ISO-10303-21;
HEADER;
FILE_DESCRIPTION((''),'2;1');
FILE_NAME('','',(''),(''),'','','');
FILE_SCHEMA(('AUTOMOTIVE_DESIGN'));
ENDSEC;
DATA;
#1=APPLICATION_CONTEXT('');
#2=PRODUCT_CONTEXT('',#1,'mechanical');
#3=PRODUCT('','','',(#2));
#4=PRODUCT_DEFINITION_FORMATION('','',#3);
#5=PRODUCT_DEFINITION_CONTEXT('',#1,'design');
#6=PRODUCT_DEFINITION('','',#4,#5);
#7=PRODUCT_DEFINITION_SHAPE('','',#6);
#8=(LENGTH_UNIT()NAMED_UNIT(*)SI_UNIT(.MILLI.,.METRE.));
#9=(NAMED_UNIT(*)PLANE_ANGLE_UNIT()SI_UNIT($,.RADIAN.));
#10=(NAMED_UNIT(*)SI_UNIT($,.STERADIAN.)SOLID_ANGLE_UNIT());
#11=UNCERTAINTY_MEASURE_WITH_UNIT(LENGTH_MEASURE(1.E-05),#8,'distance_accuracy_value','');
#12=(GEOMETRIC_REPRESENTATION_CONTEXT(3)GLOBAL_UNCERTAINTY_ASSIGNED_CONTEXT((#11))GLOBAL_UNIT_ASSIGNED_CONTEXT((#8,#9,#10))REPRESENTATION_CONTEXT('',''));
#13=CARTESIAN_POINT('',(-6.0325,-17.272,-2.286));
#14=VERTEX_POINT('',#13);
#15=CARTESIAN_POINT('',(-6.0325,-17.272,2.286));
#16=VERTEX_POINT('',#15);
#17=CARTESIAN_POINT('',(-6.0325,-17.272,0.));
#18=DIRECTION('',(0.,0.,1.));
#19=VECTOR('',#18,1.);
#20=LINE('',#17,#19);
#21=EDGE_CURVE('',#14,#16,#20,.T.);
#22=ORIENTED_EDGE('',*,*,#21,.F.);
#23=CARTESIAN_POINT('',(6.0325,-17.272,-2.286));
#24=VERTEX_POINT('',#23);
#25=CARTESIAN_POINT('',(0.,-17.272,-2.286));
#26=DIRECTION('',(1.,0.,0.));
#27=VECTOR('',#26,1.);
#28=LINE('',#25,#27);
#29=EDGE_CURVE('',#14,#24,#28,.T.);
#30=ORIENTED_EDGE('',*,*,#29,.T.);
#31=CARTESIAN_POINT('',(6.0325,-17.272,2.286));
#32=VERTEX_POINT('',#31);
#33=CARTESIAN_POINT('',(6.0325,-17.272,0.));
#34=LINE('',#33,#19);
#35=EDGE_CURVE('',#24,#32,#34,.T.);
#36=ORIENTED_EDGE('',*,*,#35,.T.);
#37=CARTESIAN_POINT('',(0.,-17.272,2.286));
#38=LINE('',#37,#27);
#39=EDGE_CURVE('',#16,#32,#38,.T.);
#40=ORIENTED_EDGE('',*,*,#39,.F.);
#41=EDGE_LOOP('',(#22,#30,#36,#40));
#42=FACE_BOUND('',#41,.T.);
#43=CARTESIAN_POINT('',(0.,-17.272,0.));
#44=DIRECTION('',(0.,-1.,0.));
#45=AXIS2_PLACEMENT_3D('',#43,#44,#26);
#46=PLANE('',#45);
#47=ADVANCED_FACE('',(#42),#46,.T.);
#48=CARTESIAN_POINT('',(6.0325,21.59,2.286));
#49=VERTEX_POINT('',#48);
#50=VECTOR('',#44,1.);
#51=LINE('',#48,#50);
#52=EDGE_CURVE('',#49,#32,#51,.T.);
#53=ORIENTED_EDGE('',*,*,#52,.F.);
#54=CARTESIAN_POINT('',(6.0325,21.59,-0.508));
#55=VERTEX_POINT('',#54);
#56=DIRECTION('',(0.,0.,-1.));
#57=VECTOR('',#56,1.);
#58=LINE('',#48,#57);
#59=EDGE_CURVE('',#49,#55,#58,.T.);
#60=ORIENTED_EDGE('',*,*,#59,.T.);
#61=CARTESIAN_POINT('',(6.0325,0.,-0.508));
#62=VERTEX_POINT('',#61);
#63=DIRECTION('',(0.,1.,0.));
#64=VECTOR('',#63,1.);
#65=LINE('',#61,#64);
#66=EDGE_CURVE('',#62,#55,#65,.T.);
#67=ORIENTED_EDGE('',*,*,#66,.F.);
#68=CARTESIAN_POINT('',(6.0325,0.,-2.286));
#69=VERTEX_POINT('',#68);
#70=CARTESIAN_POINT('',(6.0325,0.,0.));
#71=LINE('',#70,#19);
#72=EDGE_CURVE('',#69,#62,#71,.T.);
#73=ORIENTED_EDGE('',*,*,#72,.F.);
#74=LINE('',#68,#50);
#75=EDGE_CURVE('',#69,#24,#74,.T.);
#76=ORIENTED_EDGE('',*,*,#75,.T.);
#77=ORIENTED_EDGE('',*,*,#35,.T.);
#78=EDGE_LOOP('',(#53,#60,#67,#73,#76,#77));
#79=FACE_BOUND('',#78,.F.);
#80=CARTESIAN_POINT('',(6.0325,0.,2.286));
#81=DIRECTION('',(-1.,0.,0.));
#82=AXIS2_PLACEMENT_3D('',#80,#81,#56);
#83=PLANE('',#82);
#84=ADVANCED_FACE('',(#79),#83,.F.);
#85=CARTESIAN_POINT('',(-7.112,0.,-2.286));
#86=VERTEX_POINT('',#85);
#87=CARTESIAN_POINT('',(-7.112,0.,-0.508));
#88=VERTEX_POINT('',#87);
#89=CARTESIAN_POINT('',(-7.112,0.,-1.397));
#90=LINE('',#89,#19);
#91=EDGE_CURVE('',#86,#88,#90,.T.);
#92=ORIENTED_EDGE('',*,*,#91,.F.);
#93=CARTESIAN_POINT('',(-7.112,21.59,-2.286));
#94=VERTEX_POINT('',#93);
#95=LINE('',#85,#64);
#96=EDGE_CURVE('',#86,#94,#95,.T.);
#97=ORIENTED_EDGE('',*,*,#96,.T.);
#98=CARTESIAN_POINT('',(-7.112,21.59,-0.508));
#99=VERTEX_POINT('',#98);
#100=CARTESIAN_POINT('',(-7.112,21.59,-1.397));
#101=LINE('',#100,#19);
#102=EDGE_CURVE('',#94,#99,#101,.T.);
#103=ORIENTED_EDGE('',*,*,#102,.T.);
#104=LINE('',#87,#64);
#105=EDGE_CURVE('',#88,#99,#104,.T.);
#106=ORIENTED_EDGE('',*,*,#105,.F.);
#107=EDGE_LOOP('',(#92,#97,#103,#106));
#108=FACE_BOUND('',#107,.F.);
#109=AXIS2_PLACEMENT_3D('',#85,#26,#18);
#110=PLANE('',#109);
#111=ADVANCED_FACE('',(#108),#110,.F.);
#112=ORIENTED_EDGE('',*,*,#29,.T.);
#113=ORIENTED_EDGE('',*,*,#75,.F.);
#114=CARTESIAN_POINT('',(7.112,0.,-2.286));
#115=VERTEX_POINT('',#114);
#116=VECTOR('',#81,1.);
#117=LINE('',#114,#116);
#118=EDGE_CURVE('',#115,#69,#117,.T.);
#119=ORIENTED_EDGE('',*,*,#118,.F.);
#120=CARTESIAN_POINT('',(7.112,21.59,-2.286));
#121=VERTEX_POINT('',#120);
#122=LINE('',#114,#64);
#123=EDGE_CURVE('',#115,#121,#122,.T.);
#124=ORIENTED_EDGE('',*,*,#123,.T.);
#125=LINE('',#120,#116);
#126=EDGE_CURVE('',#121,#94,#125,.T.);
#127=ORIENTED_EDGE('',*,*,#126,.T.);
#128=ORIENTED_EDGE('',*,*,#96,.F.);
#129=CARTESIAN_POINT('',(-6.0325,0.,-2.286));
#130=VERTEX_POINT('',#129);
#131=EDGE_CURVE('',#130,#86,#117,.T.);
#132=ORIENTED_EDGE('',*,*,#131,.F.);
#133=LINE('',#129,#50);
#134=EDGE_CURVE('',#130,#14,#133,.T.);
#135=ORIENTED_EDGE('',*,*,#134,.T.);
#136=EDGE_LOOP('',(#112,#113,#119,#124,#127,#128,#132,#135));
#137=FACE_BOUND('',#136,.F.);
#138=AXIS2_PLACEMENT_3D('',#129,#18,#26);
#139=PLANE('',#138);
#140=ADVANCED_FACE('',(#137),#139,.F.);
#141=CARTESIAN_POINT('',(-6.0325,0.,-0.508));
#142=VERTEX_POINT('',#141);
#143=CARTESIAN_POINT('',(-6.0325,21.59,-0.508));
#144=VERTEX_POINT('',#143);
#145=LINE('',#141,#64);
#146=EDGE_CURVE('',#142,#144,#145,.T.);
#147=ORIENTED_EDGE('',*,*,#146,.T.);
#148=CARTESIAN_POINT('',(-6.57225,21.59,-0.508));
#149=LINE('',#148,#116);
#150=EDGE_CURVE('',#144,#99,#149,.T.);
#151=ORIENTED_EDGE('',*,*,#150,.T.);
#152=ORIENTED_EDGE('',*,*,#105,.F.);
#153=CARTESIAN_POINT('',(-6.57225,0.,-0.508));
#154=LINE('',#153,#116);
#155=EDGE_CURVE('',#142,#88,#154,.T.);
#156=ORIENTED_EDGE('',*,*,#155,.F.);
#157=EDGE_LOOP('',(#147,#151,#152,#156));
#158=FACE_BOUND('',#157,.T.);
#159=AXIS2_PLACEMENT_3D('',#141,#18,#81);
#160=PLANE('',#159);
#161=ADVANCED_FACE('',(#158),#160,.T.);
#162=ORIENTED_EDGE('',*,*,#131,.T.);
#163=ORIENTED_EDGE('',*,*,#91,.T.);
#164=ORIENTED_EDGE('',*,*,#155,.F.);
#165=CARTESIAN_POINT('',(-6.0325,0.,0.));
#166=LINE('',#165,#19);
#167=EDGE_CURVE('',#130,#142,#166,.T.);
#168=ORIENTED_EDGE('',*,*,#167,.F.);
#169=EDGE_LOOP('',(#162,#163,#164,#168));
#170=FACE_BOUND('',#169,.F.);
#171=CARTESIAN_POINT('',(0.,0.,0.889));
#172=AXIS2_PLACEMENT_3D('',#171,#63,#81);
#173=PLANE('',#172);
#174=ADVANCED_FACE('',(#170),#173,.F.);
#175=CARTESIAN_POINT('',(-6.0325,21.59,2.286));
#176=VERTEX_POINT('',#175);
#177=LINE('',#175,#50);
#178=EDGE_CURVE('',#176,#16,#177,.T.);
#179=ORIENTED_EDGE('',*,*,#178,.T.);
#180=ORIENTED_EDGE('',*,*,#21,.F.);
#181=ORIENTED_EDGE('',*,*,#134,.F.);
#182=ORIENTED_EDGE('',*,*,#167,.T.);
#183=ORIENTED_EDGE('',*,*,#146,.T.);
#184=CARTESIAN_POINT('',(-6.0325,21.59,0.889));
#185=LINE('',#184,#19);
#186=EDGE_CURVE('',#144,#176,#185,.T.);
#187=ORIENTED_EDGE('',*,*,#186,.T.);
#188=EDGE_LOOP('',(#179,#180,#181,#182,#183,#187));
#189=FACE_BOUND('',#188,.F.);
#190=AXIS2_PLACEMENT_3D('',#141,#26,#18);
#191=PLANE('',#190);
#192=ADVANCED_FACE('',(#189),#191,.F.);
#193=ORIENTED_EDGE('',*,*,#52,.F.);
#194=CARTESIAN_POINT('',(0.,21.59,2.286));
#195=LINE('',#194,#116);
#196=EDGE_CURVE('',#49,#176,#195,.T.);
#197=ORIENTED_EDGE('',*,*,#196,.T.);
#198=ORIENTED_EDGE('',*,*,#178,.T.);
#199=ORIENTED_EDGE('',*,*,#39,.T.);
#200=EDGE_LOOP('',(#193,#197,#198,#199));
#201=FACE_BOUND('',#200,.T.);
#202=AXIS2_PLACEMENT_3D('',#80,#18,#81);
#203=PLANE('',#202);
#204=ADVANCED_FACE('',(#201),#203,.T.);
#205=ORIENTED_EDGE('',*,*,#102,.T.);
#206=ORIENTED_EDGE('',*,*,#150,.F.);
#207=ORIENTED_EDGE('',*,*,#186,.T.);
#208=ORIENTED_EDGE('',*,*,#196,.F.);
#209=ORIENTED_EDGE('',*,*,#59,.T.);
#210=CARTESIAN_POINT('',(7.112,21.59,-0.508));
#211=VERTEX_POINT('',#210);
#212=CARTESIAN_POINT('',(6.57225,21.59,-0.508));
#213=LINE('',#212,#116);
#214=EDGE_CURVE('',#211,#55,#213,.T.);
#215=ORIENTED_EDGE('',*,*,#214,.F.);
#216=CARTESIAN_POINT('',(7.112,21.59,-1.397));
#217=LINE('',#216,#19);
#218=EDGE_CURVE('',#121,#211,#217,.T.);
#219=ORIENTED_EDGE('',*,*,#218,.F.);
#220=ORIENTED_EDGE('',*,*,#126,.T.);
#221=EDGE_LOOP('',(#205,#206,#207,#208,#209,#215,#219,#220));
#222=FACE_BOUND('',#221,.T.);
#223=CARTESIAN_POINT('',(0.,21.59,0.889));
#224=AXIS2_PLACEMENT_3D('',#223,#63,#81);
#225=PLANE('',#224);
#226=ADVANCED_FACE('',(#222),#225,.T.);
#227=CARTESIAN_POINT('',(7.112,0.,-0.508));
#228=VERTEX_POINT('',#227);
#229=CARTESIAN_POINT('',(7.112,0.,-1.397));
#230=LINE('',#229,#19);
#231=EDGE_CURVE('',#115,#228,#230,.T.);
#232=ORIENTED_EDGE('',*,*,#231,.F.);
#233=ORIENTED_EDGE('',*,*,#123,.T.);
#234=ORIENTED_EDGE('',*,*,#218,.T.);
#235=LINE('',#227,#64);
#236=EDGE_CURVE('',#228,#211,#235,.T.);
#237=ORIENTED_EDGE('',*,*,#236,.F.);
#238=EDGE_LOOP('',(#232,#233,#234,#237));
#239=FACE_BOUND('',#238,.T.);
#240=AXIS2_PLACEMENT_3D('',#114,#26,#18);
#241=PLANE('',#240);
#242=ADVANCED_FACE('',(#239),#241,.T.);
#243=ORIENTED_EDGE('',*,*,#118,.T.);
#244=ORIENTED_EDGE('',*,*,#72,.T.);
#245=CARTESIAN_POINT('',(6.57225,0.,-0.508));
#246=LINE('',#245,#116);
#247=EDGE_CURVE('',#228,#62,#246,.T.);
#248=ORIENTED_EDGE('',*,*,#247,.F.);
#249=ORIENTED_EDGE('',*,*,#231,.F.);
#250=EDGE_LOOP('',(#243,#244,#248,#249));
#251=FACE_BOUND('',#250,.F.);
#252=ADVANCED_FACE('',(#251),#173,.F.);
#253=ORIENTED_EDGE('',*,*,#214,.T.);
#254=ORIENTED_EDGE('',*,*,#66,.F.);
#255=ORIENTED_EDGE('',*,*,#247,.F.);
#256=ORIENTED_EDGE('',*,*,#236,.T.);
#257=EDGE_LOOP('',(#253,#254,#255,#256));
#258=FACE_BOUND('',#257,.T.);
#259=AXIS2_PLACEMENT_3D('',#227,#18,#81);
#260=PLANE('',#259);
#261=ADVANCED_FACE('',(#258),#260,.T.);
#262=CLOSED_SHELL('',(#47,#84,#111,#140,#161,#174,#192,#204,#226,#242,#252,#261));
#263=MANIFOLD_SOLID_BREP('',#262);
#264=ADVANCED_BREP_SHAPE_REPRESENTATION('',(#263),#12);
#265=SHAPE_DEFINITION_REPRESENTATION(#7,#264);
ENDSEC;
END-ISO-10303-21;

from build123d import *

# Parameters (mm, degrees)
F0_W     = 12.065
F0_H     = 4.572
F1_DEPTH = 17.272
F2_W     = 12.065
F2_H     = 2.794
F2_W_2   = 1.0795
F2_H_2   = 1.778
F3_DEPTH = 21.59


with BuildPart() as f1:
    # F0 (on Front) → F1 (new body)
    with BuildSketch(Plane.XZ):
        Rectangle(F0_W, F0_H)
    extrude(amount=F1_DEPTH)

    # F2 (on face) → F3 (join)
    with BuildSketch(Plane(origin=(0, 0, 0), x_dir=(-1, 0, 0), z_dir=(0, 1, 0))):
        with Locations((0, 0.889)):
            Rectangle(F2_W, F2_H)
        with Locations((6.57225, -1.397)):
            Rectangle(F2_W_2, F2_H_2)
        with Locations((0, -1.397)):
            Rectangle(F2_W, F2_H_2)
        with Locations((-6.57225, -1.397)):
            Rectangle(F2_W_2, F2_H_2)
    extrude(amount=F3_DEPTH)


solid = f1.part
